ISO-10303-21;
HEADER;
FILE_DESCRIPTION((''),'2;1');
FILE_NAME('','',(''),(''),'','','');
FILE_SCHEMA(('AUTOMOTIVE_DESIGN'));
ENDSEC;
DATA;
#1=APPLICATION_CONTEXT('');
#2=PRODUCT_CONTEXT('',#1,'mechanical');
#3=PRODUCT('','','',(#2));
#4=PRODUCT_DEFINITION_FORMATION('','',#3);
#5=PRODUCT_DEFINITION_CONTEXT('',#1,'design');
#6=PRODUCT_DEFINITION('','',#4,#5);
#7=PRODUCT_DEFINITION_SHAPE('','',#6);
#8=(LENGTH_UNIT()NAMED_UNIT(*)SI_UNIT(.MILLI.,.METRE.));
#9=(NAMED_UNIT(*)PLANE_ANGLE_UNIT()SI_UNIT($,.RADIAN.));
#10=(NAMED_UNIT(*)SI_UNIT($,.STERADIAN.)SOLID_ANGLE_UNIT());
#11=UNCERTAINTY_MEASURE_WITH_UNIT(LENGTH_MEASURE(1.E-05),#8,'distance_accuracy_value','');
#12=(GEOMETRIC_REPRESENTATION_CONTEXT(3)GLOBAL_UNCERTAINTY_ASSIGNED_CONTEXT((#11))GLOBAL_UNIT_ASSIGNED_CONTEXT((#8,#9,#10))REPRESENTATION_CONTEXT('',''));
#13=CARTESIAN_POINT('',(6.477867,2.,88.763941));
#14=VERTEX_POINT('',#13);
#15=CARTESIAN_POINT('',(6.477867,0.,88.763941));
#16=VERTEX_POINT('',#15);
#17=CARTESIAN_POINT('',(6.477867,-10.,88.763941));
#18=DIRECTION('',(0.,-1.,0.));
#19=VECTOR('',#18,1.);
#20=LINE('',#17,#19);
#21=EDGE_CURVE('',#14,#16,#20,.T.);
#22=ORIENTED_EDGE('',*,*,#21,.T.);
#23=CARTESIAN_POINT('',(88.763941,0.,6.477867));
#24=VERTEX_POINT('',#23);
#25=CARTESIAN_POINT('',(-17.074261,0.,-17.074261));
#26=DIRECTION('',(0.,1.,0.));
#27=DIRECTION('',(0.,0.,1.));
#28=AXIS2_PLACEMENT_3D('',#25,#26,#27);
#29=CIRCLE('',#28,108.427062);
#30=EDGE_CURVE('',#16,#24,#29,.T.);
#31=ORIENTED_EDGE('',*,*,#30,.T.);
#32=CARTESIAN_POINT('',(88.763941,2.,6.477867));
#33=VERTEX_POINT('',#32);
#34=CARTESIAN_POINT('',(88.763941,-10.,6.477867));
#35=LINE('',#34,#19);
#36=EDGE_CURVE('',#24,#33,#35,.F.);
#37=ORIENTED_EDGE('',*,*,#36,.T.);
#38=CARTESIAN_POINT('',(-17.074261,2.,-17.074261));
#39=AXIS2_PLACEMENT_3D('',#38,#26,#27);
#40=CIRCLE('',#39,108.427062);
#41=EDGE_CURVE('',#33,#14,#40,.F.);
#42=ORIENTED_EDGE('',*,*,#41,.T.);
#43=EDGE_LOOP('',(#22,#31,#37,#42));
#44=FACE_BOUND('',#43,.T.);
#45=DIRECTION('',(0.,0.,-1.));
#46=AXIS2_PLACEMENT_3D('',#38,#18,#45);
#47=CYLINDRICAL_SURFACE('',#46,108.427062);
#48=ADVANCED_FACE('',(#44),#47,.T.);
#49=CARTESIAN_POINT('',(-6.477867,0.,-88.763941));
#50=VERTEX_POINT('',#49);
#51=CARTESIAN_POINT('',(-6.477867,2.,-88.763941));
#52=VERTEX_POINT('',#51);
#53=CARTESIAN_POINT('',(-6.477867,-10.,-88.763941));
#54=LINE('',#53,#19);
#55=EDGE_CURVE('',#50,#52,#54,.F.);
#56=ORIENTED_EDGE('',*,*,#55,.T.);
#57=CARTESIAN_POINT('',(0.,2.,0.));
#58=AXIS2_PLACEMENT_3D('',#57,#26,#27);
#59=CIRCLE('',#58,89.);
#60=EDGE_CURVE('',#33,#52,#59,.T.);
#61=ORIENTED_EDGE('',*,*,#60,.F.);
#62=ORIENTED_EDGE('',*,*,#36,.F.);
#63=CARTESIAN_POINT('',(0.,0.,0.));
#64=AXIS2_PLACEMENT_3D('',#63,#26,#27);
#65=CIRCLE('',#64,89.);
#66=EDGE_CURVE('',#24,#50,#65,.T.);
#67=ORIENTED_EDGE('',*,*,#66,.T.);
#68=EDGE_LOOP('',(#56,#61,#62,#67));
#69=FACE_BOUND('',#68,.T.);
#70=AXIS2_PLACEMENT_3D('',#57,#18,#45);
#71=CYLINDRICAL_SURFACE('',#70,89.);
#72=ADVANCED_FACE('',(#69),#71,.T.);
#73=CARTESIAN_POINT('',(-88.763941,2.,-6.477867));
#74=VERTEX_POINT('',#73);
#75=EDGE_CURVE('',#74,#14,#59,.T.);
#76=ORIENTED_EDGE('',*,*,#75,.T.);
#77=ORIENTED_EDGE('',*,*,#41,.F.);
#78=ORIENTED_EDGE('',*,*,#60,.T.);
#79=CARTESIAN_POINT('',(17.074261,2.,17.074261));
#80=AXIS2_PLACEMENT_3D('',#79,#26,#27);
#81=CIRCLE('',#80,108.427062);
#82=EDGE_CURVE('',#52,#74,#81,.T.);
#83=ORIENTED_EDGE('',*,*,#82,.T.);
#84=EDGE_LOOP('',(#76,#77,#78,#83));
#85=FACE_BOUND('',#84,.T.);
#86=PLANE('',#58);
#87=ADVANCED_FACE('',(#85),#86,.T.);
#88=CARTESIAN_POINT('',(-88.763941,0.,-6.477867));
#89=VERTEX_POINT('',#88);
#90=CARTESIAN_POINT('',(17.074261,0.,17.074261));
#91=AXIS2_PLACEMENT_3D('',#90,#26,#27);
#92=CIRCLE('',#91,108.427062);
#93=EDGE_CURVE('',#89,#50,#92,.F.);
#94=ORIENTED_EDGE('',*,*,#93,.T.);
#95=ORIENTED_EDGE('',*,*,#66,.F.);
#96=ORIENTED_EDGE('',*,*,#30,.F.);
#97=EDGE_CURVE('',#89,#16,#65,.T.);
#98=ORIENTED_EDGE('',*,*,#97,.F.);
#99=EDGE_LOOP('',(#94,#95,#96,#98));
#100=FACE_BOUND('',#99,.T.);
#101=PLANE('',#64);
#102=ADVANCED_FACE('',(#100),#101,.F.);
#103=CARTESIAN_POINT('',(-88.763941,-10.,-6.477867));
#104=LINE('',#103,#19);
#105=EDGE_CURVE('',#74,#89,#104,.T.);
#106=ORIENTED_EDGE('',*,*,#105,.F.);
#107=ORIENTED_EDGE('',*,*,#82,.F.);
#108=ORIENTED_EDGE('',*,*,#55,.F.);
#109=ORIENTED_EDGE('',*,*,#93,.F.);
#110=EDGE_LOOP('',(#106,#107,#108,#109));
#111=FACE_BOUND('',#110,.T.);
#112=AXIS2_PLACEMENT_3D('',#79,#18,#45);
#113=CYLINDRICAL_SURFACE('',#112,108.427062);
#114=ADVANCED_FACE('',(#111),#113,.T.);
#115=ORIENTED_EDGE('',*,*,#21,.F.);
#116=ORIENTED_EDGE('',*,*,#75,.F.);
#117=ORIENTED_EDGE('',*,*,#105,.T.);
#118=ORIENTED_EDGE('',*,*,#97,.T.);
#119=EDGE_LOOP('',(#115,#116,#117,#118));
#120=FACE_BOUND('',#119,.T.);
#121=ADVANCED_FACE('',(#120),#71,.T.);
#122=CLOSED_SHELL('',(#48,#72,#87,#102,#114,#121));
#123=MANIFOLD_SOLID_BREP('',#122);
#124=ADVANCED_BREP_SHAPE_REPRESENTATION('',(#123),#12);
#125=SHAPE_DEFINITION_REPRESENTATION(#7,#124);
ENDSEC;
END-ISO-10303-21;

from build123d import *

# Parameters (mm, degrees)
SKETCH2_R               = 89
BOSS_EXTRUDE1_DEPTH     = 2
CUT_EXTRUDE2_DEPTH      = 2
CUT_EXTRUDE2_DEPTH_BACK = 22


with BuildPart() as part:
    # Sketch2 → Boss-Extrude1 (new body)
    with BuildSketch(Plane(origin=(0, 0, 0), x_dir=(1, 0, 0), z_dir=(0, 1, 0))):
        Circle(SKETCH2_R)
    extrude(amount=BOSS_EXTRUDE1_DEPTH)

    # Sketch1 → Cut-Extrude2 (cut, two sides)
    with BuildSketch(Plane(origin=(0, 0, 0), x_dir=(1, 0, 0), z_dir=(0, 1, 0))) as cut_extrude2_sk:
        with BuildLine():
            Line((90, 0), (186.2474928, -76.185882947))
            Line((186.2474928, -76.185882947), (27.022307814, -178.450111289))
            Line((27.022307814, -178.450111289), (0, -90))
            ThreePointArc((0, -90), (59.595249678, -59.595249678), (90, 0))
        make_face()
        with BuildLine():
            ThreePointArc((0, 90), (-59.595249678, 59.595249678), (-90, 0))
            Line((-90, 0), (-148.807489937, 41.634610526))
            Line((-148.807489937, 41.634610526), (-57.628187995, 163.6657734))
            Line((-57.628187995, 163.6657734), (0, 90))
        make_face()
    extrude(amount=CUT_EXTRUDE2_DEPTH, mode=Mode.SUBTRACT)
    extrude(cut_extrude2_sk.sketch, amount=-CUT_EXTRUDE2_DEPTH_BACK, mode=Mode.SUBTRACT)


solid = part.part
